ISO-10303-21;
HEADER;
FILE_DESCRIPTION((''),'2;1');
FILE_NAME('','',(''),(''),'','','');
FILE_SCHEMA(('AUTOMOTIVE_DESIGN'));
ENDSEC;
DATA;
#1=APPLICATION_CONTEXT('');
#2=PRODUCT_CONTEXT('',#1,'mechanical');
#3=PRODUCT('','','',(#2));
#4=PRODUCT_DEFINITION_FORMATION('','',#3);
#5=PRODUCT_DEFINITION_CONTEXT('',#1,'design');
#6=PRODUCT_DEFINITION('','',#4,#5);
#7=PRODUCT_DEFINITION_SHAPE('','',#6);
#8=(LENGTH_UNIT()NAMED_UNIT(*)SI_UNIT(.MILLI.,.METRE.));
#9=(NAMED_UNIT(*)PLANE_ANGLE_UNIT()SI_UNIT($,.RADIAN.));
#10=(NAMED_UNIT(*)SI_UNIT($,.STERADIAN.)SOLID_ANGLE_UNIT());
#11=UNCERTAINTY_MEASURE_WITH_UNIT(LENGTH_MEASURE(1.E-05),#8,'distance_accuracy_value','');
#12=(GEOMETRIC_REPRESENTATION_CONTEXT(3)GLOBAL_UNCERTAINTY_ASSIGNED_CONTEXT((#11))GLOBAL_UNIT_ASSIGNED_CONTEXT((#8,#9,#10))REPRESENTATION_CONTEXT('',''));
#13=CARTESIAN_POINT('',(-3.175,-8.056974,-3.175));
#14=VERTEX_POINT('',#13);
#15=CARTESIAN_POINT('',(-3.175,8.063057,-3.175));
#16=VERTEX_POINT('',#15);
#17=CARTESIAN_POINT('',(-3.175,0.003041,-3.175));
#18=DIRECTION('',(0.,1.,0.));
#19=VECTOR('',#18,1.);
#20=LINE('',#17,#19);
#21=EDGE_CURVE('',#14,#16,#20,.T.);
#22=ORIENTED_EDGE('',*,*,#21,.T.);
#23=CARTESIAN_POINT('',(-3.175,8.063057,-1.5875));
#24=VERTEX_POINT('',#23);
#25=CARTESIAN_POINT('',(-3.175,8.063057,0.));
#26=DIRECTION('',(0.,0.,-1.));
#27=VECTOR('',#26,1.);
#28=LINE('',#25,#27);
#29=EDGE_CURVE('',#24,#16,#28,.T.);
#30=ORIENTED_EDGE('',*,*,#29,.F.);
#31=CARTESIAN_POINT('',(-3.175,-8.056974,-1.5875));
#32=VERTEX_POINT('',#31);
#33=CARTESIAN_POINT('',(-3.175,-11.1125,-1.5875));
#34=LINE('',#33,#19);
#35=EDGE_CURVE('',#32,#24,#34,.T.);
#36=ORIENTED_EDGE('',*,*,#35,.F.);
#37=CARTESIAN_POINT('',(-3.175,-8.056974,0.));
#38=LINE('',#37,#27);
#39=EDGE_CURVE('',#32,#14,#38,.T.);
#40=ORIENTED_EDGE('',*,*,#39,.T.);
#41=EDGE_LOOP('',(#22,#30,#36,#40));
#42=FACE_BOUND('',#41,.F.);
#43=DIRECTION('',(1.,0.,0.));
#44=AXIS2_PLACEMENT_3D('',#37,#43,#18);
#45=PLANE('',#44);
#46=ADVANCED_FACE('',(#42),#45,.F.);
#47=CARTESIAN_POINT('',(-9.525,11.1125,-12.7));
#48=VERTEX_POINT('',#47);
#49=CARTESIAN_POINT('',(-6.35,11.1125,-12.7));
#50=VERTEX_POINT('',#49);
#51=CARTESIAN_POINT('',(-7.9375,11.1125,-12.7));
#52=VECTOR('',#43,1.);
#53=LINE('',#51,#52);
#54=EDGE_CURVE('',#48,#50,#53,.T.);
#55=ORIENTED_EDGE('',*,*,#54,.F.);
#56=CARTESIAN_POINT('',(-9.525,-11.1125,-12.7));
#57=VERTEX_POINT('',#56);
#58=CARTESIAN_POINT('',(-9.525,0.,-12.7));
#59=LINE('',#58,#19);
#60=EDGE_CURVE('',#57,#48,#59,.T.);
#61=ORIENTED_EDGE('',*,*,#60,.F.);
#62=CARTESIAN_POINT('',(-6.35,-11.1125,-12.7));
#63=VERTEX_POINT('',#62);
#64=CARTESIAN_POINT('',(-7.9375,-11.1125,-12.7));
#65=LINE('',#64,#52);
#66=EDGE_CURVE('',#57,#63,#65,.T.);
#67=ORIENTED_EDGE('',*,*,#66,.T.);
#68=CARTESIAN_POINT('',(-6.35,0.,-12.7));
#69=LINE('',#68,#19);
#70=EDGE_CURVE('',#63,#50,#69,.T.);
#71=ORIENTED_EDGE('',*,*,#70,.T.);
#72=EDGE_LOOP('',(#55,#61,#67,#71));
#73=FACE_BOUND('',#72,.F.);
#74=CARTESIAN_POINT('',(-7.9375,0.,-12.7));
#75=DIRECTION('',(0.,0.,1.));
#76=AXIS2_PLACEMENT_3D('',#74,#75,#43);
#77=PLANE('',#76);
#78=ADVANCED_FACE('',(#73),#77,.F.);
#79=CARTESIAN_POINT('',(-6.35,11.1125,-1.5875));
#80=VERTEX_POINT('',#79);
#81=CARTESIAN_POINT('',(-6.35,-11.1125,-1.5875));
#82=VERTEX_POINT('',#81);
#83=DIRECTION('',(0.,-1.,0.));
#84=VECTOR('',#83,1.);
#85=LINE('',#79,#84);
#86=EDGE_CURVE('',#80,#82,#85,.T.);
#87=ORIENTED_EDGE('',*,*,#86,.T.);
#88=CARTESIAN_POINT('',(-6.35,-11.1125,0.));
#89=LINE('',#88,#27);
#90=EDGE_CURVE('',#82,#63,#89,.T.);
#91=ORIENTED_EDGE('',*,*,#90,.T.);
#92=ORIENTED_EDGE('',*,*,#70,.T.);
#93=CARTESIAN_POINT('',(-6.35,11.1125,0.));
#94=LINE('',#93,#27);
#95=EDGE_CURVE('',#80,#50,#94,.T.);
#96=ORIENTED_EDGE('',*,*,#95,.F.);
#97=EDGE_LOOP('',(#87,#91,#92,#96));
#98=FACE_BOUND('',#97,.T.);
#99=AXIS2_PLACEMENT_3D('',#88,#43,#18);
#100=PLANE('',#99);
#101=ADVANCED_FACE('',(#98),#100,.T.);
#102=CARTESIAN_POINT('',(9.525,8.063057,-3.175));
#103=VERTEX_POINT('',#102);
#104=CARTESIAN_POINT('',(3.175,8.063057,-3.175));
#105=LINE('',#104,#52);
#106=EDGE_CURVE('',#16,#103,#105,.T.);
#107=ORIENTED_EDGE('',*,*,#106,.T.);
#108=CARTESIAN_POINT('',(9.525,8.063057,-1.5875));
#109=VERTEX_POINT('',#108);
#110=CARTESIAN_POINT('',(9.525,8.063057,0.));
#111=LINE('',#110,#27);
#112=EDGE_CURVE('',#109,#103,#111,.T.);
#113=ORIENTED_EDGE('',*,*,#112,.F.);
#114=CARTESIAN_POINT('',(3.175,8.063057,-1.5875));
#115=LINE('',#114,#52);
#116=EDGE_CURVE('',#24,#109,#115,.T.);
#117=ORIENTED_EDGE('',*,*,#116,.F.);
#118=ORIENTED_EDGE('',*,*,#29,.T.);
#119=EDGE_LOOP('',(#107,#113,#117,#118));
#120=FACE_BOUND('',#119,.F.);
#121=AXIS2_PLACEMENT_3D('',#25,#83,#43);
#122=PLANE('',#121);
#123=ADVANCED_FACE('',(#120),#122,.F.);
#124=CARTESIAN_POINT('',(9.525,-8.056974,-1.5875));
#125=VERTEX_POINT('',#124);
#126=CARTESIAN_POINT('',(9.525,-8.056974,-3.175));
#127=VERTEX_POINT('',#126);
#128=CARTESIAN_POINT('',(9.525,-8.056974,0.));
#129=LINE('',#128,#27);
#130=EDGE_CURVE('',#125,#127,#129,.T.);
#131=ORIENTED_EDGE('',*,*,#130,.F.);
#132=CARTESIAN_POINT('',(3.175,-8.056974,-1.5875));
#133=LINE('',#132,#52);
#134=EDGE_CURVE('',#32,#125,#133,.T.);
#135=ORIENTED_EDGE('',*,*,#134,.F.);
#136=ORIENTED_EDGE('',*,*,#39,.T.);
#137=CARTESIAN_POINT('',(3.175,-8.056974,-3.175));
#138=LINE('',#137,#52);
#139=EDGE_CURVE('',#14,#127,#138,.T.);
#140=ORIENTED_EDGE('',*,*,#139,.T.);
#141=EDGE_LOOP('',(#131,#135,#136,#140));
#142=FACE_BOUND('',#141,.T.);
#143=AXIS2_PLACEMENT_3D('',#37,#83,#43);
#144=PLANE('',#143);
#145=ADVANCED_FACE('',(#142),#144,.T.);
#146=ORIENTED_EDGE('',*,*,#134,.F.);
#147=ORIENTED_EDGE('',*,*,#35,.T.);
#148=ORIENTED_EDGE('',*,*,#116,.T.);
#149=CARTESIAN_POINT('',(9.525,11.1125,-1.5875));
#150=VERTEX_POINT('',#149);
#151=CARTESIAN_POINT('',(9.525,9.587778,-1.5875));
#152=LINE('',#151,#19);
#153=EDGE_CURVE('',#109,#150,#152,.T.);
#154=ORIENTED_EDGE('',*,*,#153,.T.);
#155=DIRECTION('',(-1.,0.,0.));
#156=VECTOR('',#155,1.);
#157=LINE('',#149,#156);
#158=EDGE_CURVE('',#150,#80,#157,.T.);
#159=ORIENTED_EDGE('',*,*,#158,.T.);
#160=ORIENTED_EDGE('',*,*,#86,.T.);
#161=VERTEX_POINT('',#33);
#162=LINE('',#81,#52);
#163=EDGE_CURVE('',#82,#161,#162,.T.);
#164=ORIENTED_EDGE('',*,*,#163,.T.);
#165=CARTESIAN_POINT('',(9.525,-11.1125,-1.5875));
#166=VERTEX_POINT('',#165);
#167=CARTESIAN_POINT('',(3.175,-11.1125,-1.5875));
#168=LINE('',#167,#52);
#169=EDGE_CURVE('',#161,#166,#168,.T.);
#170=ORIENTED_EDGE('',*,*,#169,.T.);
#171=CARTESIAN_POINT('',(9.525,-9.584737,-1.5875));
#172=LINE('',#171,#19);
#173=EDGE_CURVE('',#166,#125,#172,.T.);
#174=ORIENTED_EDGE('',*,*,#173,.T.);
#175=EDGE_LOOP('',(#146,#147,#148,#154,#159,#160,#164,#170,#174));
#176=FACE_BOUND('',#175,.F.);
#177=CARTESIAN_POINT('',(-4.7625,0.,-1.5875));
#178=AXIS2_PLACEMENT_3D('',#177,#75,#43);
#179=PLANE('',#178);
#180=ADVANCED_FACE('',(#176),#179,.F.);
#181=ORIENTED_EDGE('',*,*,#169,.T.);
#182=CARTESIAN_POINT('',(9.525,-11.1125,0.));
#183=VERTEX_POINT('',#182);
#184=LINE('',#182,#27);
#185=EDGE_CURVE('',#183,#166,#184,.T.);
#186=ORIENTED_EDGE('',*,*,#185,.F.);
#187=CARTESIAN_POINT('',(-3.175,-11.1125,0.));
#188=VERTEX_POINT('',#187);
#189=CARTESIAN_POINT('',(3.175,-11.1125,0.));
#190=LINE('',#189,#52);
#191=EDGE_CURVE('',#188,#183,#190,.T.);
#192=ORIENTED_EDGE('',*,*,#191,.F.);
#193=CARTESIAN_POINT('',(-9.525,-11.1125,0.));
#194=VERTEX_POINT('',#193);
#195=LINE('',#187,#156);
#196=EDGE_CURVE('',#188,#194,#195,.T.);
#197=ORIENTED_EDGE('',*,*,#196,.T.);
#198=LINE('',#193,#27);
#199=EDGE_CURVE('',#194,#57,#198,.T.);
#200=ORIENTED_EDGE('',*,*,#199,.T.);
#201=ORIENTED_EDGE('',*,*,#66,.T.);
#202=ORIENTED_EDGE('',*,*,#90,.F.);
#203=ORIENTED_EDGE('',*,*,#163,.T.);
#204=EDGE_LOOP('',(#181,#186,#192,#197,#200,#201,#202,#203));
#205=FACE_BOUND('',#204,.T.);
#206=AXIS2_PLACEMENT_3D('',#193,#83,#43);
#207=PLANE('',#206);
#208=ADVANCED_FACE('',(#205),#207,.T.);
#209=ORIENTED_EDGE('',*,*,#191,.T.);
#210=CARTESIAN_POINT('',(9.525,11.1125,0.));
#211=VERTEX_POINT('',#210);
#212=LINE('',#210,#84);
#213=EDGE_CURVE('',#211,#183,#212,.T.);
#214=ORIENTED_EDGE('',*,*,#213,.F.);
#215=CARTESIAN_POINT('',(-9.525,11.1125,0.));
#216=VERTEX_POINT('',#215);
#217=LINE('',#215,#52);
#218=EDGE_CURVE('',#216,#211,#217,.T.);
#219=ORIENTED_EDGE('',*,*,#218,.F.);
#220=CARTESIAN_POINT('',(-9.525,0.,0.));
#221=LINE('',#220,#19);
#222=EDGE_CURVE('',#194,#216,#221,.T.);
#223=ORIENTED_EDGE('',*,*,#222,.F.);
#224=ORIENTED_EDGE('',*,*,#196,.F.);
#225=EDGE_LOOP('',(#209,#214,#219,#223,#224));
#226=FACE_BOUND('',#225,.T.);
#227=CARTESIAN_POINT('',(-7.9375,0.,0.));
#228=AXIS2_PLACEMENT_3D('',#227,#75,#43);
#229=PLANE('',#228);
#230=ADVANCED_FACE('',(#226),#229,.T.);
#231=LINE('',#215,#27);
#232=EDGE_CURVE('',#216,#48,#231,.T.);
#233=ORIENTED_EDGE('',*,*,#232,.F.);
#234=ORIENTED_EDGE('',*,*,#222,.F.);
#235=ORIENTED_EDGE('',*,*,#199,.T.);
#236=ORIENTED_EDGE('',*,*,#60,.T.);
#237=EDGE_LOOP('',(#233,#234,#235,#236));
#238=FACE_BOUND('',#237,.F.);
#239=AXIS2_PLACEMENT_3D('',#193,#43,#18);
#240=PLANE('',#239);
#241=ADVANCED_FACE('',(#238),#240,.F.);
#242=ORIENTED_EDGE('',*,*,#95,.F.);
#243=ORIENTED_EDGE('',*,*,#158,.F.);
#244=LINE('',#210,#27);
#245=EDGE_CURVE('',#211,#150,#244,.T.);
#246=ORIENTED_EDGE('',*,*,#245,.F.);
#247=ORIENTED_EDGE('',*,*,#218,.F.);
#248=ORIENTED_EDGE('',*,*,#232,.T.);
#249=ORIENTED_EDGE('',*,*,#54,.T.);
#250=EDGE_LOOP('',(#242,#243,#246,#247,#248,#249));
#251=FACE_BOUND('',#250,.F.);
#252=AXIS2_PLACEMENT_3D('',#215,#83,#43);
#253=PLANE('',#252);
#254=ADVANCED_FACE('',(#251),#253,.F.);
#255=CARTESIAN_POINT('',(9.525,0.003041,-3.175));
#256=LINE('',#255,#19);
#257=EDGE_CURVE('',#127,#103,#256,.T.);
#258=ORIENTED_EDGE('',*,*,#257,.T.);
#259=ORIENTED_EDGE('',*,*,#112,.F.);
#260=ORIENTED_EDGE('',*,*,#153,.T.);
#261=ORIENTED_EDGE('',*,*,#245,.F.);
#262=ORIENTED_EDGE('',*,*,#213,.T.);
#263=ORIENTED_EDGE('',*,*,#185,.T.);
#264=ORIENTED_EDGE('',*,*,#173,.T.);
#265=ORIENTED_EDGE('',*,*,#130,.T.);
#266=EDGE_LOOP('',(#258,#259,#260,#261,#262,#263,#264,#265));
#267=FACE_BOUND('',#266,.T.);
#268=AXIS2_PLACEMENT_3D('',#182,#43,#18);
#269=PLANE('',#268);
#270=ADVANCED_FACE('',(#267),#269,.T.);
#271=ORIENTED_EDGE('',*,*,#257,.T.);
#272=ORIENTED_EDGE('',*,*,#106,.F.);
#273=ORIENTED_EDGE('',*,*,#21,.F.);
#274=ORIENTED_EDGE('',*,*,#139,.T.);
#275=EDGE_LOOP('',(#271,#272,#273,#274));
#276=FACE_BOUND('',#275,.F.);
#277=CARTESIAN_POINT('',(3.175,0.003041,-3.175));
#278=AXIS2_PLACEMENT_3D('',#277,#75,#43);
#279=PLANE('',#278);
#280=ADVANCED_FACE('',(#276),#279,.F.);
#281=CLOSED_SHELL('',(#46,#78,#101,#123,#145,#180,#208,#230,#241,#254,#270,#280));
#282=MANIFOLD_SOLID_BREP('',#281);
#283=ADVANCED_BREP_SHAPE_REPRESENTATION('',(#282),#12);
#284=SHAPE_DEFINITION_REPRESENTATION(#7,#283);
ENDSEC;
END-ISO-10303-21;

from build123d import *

# Parameters (mm, degrees)
F0_W     = 12.7
F0_H     = 3.0555259615
F0_H_2   = 3.0494434938
F1_DEPTH = 1.5875
F0_W_2   = 3.175
F0_H_3   = 22.225
F2_DEPTH = 12.7
F0_H_4   = 16.1200305447
F3_DEPTH = 3.175


with BuildPart() as f1:
    # F0 (on Top) → F1 (new body)
    with BuildSketch(Plane.XY):
        Polygon((-3.175, 8.0630565062), (-3.175, 11.1125), (-6.35, 11.1125), (-6.35, -11.1125), (-3.175, -11.1125), (-3.175, -8.0569740385), align=None)
        with Locations((3.175, -9.5847370192)):
            Rectangle(F0_W, F0_H)
        with Locations((3.175, 9.5877782531)):
            Rectangle(F0_W, F0_H_2)
    extrude(amount=-F1_DEPTH)

    # F0 (on Top) → F2 (join)
    with BuildSketch(Plane.XY):
        with Locations((-7.9375, 0)):
            Rectangle(F0_W_2, F0_H_3)
    extrude(amount=-F2_DEPTH)

    # F0 (on Top) → F3 (join)
    with BuildSketch(Plane.XY):
        with Locations((3.175, 0.0030412339)):
            Rectangle(F0_W, F0_H_4)
    extrude(amount=-F3_DEPTH)


solid = f1.part
